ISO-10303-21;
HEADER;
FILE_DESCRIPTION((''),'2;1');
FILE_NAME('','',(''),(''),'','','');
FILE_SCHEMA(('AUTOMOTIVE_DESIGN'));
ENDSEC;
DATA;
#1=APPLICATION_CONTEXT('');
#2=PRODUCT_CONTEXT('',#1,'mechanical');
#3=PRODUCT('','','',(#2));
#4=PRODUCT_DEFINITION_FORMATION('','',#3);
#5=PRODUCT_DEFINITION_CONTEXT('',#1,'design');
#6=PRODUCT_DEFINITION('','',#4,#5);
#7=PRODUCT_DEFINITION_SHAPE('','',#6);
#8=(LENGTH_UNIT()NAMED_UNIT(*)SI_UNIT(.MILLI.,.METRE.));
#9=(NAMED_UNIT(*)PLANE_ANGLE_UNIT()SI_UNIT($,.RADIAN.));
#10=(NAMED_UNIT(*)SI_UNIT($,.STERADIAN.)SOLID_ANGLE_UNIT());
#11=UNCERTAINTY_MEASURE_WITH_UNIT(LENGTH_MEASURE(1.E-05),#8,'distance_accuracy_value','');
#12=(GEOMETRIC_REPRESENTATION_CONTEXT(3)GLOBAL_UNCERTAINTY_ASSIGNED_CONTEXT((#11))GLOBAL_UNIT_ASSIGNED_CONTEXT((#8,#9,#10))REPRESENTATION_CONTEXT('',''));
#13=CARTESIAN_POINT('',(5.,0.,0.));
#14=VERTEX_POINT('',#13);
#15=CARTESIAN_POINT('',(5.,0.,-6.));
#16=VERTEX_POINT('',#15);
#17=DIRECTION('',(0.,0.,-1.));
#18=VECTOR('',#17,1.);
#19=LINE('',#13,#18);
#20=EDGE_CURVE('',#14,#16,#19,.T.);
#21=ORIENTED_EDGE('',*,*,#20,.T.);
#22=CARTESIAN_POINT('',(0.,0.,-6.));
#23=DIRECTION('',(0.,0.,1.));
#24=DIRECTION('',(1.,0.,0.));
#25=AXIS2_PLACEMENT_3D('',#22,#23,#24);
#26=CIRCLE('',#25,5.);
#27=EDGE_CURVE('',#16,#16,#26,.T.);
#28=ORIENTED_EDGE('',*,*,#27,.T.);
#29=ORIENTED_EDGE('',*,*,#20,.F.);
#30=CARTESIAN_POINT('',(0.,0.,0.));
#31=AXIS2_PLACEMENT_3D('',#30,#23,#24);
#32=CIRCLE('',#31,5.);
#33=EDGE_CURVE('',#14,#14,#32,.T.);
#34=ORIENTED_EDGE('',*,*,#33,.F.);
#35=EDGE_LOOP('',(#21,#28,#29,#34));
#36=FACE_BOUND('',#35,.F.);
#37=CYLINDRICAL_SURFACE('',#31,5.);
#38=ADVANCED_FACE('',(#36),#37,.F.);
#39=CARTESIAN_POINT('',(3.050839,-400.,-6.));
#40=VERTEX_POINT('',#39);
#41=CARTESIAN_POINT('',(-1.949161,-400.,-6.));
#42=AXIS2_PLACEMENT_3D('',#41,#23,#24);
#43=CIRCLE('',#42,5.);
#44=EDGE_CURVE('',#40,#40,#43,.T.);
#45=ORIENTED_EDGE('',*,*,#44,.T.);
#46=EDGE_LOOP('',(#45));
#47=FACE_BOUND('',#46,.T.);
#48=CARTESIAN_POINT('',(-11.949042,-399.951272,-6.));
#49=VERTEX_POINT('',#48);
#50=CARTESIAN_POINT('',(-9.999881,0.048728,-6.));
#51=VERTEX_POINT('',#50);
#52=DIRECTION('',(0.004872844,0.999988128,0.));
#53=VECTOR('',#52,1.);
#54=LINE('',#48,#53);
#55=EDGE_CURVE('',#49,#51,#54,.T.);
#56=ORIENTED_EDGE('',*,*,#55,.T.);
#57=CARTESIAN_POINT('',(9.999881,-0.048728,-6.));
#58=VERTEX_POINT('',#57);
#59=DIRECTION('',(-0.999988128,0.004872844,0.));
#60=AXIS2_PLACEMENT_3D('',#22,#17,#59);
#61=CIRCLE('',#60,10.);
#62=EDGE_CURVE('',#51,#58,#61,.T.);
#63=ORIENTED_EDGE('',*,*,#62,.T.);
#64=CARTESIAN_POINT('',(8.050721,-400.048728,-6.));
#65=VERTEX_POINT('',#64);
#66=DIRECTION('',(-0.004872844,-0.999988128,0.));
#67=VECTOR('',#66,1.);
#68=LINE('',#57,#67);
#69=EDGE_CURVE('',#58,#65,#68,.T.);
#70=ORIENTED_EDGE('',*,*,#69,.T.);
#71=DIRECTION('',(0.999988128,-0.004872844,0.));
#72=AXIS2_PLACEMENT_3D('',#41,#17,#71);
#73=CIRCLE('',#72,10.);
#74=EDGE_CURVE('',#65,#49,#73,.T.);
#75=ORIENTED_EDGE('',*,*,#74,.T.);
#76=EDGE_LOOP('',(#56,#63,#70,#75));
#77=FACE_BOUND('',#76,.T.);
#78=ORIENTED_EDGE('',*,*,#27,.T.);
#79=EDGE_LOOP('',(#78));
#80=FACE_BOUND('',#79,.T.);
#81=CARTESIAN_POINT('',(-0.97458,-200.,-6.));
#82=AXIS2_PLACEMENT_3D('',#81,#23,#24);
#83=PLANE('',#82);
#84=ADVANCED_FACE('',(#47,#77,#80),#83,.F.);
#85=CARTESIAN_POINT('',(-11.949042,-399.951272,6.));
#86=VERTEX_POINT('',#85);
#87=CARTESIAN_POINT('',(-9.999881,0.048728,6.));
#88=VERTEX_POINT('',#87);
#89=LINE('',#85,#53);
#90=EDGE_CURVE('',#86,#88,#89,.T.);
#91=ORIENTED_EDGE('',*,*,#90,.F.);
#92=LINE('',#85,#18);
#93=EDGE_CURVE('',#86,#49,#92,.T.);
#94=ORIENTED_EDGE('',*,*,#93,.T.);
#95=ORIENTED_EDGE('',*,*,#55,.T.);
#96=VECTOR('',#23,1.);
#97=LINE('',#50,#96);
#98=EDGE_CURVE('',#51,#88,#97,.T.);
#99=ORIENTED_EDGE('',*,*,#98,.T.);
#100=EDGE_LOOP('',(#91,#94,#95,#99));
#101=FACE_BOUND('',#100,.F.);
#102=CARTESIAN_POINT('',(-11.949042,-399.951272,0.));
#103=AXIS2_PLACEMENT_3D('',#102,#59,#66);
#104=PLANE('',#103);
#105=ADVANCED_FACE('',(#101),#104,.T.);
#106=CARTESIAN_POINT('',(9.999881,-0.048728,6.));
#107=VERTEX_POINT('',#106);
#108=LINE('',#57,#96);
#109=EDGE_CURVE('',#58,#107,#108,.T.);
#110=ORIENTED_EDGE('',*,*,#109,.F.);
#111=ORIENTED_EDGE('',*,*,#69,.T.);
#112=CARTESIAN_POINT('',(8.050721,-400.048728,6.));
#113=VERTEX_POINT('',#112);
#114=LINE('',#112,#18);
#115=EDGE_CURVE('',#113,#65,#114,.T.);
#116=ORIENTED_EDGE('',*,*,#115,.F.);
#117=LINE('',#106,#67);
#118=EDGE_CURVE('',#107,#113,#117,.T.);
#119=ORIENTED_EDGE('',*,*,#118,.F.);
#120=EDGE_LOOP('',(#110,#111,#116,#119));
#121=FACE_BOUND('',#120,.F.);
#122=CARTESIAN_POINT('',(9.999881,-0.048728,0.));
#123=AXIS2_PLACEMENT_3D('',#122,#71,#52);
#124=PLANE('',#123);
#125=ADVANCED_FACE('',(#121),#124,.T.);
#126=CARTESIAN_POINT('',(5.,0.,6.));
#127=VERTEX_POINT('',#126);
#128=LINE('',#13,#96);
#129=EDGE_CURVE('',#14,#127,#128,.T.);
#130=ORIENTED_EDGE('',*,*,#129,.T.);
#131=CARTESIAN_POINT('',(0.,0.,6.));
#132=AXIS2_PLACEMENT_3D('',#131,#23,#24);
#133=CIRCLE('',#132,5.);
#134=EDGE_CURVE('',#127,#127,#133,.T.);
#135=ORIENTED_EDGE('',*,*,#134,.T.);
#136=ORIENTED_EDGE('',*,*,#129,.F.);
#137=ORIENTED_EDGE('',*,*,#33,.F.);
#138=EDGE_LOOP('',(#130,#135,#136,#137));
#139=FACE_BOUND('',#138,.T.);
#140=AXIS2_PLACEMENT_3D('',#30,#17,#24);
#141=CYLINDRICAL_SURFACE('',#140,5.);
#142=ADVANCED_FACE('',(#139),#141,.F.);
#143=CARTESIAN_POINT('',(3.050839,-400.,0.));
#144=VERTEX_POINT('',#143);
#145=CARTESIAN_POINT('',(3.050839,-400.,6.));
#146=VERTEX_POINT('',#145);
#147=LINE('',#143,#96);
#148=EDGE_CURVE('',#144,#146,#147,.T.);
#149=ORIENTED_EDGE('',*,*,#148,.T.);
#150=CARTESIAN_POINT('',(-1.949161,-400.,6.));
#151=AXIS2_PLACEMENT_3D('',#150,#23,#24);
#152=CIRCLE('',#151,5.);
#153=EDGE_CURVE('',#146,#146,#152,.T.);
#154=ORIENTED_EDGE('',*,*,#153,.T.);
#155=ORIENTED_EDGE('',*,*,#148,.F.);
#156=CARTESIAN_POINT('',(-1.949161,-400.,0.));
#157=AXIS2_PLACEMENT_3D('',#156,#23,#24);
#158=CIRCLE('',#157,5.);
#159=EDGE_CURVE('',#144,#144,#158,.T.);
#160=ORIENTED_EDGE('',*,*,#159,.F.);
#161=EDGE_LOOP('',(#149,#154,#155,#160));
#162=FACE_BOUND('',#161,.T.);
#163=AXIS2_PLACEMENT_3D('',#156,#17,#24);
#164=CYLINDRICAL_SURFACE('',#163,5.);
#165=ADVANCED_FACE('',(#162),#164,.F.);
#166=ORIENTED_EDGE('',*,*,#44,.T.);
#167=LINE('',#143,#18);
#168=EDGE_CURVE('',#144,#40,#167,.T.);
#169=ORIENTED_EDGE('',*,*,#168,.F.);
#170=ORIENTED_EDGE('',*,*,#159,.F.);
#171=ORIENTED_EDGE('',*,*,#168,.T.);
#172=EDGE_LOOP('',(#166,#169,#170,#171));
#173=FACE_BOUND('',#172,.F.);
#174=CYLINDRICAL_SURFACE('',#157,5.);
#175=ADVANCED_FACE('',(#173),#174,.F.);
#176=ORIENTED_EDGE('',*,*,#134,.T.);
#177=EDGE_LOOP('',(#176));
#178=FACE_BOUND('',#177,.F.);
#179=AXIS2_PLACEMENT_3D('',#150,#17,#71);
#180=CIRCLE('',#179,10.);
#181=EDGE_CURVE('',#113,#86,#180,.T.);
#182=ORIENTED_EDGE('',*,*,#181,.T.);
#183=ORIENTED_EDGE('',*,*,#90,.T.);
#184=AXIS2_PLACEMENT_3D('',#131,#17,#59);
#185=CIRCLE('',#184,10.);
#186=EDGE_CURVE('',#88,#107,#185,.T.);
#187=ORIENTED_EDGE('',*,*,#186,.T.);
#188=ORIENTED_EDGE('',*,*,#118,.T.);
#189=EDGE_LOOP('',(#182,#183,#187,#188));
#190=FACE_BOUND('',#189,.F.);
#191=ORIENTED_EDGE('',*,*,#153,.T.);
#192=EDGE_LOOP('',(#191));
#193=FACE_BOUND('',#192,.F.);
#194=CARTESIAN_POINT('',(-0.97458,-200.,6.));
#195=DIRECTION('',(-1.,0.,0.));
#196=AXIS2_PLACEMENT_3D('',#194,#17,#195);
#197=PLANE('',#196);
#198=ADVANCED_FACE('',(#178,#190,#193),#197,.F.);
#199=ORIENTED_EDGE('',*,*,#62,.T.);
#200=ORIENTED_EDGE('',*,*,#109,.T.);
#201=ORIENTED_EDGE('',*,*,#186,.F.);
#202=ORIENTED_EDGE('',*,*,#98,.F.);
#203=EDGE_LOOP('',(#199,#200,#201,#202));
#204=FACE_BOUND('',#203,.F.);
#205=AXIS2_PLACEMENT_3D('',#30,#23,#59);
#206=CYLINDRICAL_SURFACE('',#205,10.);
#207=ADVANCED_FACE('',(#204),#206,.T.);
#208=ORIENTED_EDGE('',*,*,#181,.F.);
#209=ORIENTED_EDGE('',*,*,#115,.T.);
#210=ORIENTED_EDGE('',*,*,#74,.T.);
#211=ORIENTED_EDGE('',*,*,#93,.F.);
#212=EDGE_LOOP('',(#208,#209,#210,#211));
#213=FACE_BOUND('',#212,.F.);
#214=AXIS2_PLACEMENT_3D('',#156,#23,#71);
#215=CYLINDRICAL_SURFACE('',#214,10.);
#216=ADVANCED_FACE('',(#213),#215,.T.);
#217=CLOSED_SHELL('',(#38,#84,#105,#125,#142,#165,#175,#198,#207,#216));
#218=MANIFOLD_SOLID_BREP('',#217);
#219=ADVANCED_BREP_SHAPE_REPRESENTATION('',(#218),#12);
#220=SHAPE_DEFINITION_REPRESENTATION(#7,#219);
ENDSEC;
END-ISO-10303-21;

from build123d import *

# Parameters (mm, degrees)
SKETCH1_R           = 5
BOSS_EXTRUDE1_DEPTH = 6


with BuildPart() as part:
    # Sketch1 → Boss-Extrude1 (new body)
    with BuildSketch(Plane.XY):
        with BuildLine():
            Line((9.999881276, -0.048728438), (8.050720605, -400.048728438))
            ThreePointArc((8.050720605, -400.048728438), (-1.99788911, -409.999881276), (-11.949041948, -399.951271562))
            Line((-11.949041948, -399.951271562), (-9.999881276, 0.048728438))
            ThreePointArc((-9.999881276, 0.048728438), (0.048728438, 9.999881276), (9.999881276, -0.048728438))
        make_face()
        with Locations((-1.949160671, -400)):
            Circle(SKETCH1_R, mode=Mode.SUBTRACT)
        Circle(SKETCH1_R, mode=Mode.SUBTRACT)
    boss_extrude1 = extrude(amount=BOSS_EXTRUDE1_DEPTH)

    # Mirror1: Boss-Extrude1 across plane
    add(boss_extrude1.mirror(Plane.XY))


solid = part.part
